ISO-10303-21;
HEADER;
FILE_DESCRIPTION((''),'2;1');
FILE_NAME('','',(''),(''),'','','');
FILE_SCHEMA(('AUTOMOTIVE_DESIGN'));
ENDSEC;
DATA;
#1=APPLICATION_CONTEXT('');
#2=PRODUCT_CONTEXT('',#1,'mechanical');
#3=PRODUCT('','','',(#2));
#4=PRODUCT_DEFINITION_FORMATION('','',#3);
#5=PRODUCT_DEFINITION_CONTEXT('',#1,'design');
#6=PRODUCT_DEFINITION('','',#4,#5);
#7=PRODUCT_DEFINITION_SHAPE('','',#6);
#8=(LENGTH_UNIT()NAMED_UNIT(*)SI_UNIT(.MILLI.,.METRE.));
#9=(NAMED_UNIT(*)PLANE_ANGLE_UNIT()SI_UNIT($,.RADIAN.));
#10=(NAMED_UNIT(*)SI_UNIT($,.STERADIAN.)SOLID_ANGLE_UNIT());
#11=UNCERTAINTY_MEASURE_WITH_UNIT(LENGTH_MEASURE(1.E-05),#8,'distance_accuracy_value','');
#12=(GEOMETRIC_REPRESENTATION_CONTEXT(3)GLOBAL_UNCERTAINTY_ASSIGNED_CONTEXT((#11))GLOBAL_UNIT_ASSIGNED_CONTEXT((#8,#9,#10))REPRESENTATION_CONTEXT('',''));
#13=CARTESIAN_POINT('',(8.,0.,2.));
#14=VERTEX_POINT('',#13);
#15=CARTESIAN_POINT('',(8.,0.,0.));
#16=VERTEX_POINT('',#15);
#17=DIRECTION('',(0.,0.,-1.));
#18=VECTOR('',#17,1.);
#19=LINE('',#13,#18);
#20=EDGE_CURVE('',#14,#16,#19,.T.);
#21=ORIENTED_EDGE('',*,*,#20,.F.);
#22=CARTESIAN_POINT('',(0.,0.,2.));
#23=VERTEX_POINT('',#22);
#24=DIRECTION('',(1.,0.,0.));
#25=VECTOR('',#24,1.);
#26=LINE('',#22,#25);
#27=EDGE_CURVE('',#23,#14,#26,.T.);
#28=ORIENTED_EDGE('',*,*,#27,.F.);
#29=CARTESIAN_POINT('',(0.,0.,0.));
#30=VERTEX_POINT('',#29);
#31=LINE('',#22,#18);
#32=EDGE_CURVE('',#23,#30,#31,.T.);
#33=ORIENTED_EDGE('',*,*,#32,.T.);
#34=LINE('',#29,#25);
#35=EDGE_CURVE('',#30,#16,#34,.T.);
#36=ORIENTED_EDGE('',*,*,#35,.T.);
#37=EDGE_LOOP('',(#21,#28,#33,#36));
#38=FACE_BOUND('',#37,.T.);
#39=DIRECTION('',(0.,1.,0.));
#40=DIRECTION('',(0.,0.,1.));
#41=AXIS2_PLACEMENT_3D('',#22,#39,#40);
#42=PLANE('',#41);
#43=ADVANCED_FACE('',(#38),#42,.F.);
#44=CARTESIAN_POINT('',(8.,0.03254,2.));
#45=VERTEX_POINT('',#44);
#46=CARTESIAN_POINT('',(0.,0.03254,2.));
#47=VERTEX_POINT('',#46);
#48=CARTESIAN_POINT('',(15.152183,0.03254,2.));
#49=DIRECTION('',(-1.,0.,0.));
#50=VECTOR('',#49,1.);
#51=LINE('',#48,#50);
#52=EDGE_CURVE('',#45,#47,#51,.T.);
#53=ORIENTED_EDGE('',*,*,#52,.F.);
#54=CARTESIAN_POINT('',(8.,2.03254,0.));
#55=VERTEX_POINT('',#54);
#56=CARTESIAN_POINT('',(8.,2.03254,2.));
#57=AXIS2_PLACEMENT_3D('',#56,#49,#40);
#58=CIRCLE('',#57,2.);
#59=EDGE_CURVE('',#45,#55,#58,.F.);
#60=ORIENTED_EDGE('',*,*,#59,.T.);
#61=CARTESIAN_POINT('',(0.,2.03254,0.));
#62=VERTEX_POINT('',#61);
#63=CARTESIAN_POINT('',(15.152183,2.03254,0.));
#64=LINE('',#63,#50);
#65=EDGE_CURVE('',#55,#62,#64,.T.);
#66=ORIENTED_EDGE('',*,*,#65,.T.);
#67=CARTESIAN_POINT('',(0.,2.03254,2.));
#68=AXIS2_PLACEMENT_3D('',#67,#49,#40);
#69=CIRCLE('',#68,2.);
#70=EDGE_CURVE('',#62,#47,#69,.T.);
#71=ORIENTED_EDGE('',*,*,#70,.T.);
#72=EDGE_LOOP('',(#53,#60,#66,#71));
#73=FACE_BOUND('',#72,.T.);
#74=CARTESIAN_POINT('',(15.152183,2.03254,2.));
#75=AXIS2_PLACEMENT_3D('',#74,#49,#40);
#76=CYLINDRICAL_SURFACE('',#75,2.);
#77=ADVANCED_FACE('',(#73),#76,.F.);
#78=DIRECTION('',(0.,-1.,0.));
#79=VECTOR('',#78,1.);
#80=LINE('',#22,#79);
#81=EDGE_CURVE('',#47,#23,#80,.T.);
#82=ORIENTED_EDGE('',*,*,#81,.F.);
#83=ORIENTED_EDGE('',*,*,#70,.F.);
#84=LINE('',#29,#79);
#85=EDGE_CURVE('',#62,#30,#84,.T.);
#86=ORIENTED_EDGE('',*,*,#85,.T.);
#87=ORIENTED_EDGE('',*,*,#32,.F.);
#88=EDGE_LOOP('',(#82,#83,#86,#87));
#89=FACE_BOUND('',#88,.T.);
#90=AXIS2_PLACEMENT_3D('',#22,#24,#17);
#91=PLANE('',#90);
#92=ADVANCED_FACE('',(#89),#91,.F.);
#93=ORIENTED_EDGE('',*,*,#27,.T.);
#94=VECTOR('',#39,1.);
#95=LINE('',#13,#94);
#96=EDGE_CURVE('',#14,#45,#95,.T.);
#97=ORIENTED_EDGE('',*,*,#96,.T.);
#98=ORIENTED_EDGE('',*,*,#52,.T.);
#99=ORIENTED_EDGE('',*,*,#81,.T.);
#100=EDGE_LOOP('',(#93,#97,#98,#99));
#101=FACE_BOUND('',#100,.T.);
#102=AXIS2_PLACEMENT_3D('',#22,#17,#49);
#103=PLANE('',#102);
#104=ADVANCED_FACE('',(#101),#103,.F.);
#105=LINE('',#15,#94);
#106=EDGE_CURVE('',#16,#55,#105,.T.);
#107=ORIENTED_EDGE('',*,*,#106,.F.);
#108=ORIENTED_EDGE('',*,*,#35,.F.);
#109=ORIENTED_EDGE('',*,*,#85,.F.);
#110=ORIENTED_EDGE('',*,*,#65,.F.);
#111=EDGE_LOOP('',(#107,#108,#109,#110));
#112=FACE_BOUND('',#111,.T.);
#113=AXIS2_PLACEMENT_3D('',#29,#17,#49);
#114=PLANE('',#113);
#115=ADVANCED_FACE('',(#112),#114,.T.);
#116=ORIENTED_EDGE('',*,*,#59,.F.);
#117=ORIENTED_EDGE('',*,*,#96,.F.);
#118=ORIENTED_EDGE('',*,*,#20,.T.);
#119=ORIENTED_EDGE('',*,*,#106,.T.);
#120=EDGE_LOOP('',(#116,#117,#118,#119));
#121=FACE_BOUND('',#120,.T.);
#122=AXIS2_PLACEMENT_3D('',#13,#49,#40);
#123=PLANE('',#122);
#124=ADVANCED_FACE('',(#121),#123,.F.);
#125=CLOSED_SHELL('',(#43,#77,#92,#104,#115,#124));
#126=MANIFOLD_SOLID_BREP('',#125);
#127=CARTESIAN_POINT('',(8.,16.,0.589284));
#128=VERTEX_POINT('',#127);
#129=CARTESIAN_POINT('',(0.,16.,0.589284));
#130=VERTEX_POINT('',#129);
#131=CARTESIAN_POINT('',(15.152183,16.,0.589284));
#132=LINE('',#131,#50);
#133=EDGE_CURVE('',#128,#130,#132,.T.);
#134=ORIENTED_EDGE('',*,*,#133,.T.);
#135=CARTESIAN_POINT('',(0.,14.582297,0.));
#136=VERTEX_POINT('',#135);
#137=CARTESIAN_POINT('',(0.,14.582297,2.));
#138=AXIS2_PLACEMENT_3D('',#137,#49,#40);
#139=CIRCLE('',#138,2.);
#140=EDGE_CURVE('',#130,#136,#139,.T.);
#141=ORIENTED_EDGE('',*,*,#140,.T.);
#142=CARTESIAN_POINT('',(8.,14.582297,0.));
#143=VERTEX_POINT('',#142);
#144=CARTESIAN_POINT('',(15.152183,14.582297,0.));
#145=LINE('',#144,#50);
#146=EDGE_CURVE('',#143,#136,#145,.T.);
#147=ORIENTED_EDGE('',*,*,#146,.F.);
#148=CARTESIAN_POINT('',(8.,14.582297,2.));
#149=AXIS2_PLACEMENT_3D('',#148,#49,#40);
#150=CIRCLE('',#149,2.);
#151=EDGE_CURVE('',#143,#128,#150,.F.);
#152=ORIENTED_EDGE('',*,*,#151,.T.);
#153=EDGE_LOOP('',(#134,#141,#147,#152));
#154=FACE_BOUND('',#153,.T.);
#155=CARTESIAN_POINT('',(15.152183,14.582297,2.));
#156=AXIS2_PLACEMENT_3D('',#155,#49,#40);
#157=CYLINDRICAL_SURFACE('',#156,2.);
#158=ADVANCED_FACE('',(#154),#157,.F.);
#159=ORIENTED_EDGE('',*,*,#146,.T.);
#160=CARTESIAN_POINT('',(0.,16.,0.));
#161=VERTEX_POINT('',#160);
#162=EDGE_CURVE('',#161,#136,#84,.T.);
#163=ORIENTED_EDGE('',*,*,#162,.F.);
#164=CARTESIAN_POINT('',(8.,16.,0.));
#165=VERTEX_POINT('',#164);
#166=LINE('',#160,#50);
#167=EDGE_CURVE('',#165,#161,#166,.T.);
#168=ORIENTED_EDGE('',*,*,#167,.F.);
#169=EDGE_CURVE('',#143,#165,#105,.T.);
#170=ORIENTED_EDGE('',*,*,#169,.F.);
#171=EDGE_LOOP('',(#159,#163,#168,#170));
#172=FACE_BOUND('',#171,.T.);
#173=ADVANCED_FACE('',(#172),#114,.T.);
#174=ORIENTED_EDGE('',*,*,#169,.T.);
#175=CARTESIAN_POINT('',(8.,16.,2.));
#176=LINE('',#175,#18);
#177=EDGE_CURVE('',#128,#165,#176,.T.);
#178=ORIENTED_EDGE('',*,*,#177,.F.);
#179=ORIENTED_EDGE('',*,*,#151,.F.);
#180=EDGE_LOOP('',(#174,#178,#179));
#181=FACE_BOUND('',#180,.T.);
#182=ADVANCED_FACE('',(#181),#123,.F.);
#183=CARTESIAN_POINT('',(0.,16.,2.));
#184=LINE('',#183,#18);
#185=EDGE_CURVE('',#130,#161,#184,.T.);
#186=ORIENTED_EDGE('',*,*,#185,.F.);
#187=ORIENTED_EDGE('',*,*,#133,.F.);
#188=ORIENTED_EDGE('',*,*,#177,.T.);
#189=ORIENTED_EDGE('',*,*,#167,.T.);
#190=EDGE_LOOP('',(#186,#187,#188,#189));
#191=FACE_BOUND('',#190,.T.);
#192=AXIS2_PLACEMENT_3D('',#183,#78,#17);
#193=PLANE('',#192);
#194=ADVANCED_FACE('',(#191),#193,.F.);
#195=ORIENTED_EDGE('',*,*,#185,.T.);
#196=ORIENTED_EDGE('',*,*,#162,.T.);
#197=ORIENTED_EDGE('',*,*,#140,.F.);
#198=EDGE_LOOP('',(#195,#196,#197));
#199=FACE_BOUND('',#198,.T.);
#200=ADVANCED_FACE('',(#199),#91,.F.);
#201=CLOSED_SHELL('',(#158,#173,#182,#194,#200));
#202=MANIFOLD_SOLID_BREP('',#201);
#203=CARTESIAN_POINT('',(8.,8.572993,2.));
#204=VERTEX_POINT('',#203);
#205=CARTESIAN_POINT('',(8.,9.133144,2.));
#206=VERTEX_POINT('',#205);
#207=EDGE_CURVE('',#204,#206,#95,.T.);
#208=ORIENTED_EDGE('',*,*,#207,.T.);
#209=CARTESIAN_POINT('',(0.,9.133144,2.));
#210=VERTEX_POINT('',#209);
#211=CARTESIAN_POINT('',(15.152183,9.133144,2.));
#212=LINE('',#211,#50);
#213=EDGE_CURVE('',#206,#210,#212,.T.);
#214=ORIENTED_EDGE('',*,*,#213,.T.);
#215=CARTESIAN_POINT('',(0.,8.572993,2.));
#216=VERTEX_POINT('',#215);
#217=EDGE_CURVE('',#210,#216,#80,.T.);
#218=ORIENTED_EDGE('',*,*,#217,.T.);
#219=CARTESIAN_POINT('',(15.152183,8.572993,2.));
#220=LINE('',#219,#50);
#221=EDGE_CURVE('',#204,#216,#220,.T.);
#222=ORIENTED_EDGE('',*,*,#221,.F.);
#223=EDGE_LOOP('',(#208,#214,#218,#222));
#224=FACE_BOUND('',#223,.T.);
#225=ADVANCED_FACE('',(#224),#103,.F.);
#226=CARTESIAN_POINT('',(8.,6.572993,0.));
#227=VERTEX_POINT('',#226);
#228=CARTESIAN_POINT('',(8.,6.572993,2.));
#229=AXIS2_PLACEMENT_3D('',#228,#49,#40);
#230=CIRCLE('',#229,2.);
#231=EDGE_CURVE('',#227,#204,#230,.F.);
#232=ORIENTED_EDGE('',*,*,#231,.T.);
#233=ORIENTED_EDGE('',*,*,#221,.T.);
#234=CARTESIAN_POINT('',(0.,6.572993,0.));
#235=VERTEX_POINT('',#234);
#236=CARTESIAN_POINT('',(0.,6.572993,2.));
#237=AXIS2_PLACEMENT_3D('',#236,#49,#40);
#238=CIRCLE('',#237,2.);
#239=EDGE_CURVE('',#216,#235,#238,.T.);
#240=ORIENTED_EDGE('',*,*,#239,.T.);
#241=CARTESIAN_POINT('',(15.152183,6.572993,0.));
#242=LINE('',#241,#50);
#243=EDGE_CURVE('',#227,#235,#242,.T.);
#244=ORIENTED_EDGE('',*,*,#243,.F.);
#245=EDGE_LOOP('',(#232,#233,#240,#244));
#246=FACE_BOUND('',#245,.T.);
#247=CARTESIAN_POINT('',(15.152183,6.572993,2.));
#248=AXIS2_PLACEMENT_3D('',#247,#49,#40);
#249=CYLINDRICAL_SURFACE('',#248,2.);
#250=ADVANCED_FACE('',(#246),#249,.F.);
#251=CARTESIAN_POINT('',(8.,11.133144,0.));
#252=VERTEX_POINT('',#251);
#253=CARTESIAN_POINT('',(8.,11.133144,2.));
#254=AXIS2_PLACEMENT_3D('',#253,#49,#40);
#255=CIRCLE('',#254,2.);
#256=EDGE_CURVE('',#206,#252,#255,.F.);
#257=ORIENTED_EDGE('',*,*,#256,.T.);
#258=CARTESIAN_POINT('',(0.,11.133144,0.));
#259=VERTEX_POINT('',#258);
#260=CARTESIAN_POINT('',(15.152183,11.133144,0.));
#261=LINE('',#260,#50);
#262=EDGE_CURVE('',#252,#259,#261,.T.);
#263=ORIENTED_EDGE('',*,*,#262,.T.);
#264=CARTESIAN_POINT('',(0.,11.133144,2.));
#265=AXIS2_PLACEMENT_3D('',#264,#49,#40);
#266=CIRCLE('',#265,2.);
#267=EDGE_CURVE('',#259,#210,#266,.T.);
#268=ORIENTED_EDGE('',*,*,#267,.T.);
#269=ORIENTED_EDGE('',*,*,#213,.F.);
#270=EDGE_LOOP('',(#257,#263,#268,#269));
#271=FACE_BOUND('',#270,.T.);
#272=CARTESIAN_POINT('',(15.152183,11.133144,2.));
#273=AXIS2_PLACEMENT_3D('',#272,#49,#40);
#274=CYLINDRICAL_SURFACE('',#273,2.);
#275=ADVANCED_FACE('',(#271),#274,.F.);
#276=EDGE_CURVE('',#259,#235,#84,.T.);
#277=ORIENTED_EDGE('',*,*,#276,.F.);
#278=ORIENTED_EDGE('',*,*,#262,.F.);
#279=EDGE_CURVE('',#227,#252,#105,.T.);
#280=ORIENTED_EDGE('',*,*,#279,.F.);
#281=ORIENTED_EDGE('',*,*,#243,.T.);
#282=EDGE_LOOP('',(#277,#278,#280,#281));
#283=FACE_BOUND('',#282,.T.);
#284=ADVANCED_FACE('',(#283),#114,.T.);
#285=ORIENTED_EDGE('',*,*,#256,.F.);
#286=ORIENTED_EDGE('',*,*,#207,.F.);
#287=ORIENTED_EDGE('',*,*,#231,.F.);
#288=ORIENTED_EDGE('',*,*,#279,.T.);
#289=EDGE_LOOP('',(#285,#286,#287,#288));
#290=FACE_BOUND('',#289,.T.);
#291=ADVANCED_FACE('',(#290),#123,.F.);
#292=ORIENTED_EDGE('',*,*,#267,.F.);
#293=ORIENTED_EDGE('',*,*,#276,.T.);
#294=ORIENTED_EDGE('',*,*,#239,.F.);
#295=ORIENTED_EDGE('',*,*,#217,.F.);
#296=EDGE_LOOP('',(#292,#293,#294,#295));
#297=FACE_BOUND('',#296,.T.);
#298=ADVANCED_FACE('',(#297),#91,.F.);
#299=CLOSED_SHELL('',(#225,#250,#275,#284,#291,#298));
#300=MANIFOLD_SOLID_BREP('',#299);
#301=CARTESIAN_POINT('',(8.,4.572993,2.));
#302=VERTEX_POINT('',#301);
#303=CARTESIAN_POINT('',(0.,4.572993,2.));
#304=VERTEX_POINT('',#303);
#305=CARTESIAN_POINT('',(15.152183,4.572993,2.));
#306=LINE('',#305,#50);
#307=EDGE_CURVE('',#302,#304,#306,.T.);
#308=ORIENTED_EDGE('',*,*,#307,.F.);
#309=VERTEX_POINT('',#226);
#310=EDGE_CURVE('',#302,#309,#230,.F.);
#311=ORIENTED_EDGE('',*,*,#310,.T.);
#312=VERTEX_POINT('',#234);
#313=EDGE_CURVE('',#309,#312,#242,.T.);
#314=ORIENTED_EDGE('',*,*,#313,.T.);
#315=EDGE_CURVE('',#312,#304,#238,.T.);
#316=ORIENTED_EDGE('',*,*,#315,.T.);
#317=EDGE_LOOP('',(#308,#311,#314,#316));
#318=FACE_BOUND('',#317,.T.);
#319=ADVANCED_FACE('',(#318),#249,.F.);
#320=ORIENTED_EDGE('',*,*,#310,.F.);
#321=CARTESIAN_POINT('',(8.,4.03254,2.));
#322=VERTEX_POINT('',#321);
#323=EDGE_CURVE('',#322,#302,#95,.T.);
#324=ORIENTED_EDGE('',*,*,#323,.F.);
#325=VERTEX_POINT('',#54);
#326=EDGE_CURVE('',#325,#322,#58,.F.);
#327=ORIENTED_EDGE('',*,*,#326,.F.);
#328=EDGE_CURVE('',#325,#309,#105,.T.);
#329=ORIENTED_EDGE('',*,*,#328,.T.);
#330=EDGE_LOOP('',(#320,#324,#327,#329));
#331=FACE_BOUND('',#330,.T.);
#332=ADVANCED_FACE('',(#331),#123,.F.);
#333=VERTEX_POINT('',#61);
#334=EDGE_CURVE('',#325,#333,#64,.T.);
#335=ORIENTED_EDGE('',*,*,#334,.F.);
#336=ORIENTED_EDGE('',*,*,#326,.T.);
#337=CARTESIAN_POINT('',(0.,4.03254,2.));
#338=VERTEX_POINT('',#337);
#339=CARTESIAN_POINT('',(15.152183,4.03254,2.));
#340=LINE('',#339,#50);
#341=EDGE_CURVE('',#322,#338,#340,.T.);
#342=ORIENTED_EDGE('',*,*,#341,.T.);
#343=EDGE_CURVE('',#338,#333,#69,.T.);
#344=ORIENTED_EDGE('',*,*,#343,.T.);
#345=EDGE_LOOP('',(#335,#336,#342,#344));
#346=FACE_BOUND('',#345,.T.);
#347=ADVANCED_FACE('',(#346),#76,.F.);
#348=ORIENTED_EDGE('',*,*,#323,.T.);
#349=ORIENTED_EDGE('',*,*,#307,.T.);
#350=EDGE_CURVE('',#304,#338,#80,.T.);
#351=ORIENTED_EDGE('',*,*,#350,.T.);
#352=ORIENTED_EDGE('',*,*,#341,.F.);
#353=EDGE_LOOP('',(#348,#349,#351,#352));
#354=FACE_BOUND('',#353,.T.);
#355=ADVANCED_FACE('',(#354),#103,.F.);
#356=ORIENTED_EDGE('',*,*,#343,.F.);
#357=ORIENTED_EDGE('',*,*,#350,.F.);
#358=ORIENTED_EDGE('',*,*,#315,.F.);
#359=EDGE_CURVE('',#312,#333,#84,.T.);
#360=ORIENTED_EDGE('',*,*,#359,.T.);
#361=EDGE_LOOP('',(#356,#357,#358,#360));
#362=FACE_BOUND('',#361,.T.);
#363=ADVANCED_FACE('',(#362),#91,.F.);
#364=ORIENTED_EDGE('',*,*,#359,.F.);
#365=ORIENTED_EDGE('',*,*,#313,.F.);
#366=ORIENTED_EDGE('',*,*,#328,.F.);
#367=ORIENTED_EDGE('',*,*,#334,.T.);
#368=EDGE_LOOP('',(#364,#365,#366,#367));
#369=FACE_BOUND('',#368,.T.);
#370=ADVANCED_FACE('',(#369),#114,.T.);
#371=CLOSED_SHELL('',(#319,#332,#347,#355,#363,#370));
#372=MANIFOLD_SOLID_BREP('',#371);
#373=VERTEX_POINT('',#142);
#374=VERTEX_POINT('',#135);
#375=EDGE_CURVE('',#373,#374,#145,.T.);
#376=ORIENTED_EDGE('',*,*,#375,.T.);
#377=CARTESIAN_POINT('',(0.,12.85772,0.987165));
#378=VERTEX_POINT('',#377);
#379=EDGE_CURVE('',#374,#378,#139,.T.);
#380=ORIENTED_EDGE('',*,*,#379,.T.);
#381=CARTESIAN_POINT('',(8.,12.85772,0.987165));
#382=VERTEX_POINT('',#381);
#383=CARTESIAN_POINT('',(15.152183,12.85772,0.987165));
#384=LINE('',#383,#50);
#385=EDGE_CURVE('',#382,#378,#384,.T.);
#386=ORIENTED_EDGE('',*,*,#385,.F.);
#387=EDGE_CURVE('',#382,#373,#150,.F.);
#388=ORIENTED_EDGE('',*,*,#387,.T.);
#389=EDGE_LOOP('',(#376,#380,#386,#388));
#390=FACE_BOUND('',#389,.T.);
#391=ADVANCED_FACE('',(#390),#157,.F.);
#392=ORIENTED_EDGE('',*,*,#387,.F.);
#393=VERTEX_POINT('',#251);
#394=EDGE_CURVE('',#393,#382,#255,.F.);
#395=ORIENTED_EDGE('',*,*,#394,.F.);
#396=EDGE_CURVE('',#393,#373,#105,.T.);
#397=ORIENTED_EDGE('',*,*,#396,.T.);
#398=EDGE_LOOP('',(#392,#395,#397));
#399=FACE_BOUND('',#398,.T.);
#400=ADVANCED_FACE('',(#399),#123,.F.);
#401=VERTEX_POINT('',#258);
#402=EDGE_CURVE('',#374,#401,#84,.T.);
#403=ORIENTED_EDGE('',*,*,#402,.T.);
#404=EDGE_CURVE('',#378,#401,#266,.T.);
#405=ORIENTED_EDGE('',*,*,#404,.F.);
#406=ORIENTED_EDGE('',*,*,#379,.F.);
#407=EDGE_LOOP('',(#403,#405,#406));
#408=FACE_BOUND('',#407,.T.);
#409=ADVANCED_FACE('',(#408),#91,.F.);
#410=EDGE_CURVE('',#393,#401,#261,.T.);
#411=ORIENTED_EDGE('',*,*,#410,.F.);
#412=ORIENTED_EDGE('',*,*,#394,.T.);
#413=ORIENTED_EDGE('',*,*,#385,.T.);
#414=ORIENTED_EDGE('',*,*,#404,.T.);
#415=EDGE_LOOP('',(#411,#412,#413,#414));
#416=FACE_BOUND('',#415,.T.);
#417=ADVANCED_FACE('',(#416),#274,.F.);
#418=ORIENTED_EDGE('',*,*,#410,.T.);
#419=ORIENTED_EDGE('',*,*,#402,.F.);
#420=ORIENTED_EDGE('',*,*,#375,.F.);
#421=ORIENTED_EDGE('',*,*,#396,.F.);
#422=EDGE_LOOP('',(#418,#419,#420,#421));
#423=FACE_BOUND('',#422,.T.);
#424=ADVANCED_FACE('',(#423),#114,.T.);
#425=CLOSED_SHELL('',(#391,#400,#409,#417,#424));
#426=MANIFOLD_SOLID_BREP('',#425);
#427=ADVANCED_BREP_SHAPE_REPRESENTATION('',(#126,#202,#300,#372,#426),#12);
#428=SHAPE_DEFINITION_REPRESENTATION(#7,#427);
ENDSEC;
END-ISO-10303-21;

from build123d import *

# Parameters (mm, degrees)
SKETCH_1_W          = 8
SKETCH_1_H          = 16
EXTRUDE_1_DEPTH     = 2
CUT_EXTRUDE_1_DEPTH = 8


with BuildPart() as part:
    # 草图1 → 凸台-拉伸1 (new body)
    with BuildSketch(Plane.XY):
        with Locations((4, 8)):
            Rectangle(SKETCH_1_W, SKETCH_1_H)
    extrude(amount=EXTRUDE_1_DEPTH)

    # 草图3 → 切除-拉伸1 (cut)
    with BuildSketch(Plane.ZY):
        with BuildLine():
            Line((0.58928448, 16), (2, 16))
            Line((2, 16), (2, 9.133143651))
            ThreePointArc((2, 9.133143651), (0.070083762, 10.608335769), (0.987164748, 12.857720338))
            ThreePointArc((0.987164748, 12.857720338), (0.01584276, 14.331059995), (0.58928448, 16))
        make_face()
        with BuildLine():
            Line((2, 4.032540219), (2, 0.032540219))
            ThreePointArc((2, 0.032540219), (0, 2.032540219), (2, 4.032540219))
        make_face()
        with BuildLine():
            Line((2, 8.572993402), (2, 4.572993402))
            ThreePointArc((2, 4.572993402), (0, 6.572993402), (2, 8.572993402))
        make_face()
    extrude(amount=-CUT_EXTRUDE_1_DEPTH, mode=Mode.SUBTRACT)


with BuildPart() as cut_extrude_1_piece_1:
    # of the separate pieces the step leaves, piece 1, a body of its own (cut_extrude_1_pieces)
    add(part.part.solids().sort_by_distance((0, 8.572993402, 2))[0])


with BuildPart() as cut_extrude_1_piece_2:
    # of the separate pieces the step leaves, piece 2, a body of its own (cut_extrude_1_pieces)
    add(part.part.solids().sort_by_distance((0, 4.032540219, 2))[0])


with BuildPart() as cut_extrude_1_piece_3:
    # of the separate pieces the step leaves, piece 3, a body of its own (cut_extrude_1_pieces)
    add(part.part.solids().sort_by_distance((0, 12.857720338, 0.987164748))[0])


with BuildPart() as cut_extrude_1_piece_4:
    # of the separate pieces the step leaves, piece 4, a body of its own (cut_extrude_1_pieces)
    add(part.part.solids().sort_by_distance((0, 0, 0))[0])


with BuildPart() as cut_extrude_1_piece_5:
    # of the separate pieces the step leaves, piece 5, a body of its own (cut_extrude_1_pieces)
    add(part.part.solids().sort_by_distance((0, 16, 0))[0])


solid = Compound([cut_extrude_1_piece_1.part, cut_extrude_1_piece_2.part, cut_extrude_1_piece_3.part, cut_extrude_1_piece_4.part, cut_extrude_1_piece_5.part])
